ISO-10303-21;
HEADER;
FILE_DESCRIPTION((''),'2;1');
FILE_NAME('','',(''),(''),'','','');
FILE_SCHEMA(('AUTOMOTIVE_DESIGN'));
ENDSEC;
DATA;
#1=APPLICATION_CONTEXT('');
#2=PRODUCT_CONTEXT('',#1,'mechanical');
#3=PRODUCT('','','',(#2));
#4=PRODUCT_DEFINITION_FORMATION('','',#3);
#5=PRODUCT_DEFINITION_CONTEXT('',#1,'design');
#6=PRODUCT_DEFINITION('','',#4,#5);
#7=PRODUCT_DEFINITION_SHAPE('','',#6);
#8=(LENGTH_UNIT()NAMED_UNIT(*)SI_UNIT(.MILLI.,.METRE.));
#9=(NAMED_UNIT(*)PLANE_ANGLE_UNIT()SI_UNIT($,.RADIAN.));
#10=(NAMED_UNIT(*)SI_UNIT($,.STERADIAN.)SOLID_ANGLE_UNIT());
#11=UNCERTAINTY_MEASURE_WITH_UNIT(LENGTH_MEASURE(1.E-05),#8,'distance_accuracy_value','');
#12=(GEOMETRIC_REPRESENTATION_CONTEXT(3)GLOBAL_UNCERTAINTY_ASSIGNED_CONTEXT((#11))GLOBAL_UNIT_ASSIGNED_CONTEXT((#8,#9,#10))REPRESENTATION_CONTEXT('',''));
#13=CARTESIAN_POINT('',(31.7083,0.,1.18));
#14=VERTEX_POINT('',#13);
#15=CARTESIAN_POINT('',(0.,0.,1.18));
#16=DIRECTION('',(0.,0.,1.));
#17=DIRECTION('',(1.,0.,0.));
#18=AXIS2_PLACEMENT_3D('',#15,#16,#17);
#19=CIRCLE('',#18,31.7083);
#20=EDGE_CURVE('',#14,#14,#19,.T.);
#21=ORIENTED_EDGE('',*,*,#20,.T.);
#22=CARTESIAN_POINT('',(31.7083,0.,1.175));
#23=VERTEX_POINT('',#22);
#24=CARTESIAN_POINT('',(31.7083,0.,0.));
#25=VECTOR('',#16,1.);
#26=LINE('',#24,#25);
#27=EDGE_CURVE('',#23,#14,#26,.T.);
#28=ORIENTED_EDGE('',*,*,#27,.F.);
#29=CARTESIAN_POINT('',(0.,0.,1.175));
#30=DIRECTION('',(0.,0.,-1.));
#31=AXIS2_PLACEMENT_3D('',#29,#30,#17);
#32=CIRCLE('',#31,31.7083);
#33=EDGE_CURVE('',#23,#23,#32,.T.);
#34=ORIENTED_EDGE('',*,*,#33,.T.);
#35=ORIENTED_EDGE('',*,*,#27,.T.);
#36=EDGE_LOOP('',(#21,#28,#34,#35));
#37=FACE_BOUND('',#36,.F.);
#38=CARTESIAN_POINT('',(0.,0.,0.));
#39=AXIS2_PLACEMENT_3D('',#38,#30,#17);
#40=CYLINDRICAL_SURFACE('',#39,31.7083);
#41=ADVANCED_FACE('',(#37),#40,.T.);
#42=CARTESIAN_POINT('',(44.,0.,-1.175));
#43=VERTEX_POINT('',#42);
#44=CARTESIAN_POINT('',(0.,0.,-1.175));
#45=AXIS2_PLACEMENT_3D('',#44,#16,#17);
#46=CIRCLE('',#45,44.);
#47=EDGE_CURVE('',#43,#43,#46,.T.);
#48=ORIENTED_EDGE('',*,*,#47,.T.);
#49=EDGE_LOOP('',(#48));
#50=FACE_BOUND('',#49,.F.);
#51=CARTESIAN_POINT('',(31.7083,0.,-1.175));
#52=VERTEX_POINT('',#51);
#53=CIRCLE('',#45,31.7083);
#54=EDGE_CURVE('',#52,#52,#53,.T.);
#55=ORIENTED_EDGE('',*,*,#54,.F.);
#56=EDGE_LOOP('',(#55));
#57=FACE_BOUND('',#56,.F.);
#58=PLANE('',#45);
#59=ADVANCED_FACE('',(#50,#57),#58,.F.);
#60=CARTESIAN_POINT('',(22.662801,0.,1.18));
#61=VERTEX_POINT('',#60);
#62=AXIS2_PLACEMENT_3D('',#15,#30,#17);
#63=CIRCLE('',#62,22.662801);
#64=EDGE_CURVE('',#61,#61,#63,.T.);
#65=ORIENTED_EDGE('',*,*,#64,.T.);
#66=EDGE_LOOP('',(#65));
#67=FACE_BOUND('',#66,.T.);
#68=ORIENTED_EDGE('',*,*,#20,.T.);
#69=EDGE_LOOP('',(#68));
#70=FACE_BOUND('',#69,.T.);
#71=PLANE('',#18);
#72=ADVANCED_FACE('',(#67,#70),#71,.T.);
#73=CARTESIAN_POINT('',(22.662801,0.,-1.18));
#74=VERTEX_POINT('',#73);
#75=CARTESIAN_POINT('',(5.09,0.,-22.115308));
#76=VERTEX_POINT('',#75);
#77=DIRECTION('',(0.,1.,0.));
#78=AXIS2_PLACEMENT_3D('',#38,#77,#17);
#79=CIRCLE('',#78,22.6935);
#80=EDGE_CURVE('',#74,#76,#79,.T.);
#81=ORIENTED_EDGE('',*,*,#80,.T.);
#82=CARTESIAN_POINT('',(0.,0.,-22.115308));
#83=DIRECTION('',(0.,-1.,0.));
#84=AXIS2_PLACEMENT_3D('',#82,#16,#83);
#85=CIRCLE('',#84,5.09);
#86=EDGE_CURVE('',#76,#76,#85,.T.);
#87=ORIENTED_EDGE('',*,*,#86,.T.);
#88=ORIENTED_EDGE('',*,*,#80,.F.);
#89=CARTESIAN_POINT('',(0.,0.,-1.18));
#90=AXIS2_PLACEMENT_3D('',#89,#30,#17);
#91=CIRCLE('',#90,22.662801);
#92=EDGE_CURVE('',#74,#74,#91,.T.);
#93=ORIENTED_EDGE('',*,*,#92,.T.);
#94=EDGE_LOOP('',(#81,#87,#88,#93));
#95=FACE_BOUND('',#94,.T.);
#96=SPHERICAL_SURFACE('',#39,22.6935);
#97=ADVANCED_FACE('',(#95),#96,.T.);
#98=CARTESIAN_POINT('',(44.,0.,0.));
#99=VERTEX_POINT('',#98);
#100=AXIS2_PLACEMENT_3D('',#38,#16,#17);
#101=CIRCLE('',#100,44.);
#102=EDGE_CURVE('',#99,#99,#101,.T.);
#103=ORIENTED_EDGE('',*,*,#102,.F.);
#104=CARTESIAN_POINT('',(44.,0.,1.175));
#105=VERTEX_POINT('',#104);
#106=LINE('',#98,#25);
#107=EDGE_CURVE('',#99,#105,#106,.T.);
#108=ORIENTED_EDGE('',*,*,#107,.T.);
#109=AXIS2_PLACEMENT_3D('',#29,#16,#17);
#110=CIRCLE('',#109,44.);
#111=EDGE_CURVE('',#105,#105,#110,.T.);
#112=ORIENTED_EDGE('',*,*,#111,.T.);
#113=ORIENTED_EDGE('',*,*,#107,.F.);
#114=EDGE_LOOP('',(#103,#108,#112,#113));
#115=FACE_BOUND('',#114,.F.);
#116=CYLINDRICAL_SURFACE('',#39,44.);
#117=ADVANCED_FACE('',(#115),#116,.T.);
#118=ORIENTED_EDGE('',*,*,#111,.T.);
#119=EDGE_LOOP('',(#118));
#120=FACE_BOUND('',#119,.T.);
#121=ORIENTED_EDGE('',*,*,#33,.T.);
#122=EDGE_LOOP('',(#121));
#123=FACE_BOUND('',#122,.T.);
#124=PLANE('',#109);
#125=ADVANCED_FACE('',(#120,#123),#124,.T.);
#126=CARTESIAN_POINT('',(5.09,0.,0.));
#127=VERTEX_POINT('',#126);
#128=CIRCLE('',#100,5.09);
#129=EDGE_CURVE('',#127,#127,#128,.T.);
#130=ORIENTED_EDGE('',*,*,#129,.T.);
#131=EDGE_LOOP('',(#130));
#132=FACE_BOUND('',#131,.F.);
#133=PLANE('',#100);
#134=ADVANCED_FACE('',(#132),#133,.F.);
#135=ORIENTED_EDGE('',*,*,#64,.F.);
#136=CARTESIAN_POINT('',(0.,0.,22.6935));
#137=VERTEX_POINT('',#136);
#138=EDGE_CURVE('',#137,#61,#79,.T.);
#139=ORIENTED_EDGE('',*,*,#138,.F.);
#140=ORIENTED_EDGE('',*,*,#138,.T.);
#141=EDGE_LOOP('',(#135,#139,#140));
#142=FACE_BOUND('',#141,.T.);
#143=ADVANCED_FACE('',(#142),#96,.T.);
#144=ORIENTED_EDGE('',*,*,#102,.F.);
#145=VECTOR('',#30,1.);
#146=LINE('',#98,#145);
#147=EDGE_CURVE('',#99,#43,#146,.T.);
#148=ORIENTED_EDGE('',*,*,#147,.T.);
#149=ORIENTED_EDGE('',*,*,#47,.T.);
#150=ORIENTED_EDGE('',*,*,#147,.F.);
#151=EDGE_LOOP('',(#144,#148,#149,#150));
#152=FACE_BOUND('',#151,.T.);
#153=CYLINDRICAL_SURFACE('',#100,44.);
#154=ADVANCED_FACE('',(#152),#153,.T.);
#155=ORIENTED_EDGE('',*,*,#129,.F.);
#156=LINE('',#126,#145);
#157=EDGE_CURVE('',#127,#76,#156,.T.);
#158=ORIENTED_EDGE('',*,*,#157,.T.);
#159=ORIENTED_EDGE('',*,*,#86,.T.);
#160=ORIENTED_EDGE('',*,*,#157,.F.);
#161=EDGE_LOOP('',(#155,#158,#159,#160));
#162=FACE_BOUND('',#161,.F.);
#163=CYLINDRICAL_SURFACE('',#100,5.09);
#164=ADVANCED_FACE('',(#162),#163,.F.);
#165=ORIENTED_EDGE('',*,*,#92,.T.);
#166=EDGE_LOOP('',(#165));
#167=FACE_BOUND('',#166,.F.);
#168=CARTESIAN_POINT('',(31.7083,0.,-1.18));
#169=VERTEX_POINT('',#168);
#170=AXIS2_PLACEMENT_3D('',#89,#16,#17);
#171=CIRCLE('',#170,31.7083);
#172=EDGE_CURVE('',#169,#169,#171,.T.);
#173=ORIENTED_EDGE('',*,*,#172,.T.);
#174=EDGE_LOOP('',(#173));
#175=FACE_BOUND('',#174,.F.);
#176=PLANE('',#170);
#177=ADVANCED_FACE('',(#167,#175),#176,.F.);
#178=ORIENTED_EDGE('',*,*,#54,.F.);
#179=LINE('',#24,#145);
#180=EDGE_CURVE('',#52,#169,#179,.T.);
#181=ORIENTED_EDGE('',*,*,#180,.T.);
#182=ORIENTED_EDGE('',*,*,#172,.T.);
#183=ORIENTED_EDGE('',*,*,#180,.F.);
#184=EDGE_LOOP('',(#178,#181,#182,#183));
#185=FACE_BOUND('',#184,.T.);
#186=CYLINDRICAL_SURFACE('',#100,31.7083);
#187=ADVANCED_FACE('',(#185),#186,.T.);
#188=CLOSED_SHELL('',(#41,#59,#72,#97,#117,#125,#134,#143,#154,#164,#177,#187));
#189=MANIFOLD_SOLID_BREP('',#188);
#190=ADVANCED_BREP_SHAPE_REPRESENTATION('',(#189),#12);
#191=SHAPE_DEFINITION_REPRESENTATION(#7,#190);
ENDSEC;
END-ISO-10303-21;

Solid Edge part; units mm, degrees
sketch "Sketch1" plane through (0, 0, 0) normal (0, -1, 0) x (1, 0, 0)
  line L0 (0, 22.6935) -> (0, -22.6935)
  arc A0 (0, 22.6935) -> (0, -22.6935) centre (0, 0) cw
revolve "RevolvedProtrusion1" add sketch "Sketch1" angle 360 about axis through (0, 0, 22.6935) along (0, 0, -1)
sketch "Sketch2" plane through (0, 0, 0) normal (0, 0, 1) x (1, 0, 0)
  circle A0 centre (0, 0) radius 44
extrude "Protrusion1" add sketch "Sketch2" along normal mid plane 2.35
sketch "Sketch3" plane through (0, 0, 0) normal (0, 0, 1) x (1, 0, 0)
  circle A0 centre (0, 0) radius 31.7083
extrude "ExtrudedProtrusion_9" add sketch "Sketch3" along normal mid plane 2.36
sketch "Sketch4" plane through (0, 0, 0) normal (0, 0, 1) x (1, 0, 0)
  circle A0 centre (0, 0) radius 5.09
extrude "ExtrudedCutout_1" cut sketch "Sketch4" against normal blind 53.2556
